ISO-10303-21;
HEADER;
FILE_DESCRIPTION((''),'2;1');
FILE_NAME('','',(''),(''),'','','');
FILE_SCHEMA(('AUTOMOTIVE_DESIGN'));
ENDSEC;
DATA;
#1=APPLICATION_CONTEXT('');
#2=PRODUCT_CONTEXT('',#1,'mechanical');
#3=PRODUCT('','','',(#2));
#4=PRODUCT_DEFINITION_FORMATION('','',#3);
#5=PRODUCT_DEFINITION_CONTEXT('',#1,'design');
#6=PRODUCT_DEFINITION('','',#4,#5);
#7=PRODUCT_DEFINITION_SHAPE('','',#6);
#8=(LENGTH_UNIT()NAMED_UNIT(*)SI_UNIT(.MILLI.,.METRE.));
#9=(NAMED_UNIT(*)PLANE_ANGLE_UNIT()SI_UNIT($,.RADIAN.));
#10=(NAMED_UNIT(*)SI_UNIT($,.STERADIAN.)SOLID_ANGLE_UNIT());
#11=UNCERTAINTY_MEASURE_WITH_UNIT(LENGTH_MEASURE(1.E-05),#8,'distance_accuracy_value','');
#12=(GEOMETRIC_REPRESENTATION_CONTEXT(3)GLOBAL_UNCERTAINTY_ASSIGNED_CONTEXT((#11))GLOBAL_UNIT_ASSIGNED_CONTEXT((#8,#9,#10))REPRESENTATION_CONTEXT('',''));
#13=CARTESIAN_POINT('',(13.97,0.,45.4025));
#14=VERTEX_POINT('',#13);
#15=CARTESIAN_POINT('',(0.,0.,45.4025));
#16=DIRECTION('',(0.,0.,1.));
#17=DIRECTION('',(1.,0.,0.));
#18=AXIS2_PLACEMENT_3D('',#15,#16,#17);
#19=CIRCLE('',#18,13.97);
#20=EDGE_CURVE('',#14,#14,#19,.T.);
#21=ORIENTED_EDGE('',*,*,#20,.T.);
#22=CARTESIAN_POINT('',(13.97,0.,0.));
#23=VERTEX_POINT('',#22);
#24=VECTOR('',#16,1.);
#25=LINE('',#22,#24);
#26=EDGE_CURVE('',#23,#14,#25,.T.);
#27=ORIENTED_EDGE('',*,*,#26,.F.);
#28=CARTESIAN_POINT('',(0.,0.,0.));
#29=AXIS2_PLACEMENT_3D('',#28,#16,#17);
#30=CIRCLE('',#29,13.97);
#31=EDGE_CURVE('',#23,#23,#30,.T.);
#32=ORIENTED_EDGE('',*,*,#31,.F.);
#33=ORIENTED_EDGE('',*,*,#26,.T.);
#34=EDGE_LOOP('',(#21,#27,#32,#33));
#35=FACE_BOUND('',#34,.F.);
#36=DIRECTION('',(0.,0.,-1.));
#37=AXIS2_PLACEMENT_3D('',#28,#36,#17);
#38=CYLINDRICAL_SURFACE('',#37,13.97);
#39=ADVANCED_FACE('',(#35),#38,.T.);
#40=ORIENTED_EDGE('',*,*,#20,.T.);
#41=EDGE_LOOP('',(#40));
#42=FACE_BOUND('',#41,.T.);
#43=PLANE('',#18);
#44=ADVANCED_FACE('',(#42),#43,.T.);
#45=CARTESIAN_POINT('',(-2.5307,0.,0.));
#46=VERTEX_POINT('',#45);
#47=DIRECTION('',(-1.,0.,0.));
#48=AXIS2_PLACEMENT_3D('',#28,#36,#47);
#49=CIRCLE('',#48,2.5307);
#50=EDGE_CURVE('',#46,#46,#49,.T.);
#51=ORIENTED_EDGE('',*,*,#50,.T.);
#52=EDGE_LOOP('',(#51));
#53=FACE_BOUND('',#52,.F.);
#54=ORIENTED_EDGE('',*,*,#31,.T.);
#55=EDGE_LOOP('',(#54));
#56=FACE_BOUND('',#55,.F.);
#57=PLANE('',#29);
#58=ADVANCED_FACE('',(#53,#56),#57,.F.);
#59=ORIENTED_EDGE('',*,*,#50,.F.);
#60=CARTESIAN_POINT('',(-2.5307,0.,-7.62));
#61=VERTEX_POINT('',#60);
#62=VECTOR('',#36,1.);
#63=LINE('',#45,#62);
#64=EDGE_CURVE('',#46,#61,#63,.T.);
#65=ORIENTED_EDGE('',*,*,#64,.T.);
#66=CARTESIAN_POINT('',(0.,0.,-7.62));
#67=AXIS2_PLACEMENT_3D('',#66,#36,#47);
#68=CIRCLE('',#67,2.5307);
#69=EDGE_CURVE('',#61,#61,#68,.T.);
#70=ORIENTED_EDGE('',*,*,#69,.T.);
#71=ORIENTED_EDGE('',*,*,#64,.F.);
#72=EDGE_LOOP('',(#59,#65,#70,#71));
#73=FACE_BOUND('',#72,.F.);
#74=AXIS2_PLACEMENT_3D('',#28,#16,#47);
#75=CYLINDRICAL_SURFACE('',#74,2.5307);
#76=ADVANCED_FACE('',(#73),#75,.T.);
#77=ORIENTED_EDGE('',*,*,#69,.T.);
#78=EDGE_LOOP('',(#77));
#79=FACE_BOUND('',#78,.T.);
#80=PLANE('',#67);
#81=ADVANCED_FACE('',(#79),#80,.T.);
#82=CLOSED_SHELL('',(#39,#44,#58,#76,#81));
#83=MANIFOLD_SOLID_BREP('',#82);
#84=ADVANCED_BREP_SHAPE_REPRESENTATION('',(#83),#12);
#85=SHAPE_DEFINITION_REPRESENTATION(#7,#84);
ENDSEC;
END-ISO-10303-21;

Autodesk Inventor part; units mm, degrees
ref_plane "YZ Plane" through (0, 0, 0) normal (1, 0, 0) x (0, 1, 0)
ref_plane "XZ Plane" through (0, 0, 0) normal (0, 1, 0) x (-1, 0, 0)
ref_plane "XY Plane" through (0, 0, 0) normal (0, 0, 1) x (1, 0, 0)
sketch "Sketch1" plane through (0, 0, 0) normal (0, 0, 1) x (1, 0, 0)
  circle A0 centre (0, 0) radius 13.97
  dimension "d0" = 27.94
extrude "Extrusion1" add sketch "Sketch1" along normal blind 45.4025
sketch "Sketch2" plane through (0, 0, 0) normal (0, 0, -1) x (-1, 0, 0)
  circle A0 centre (0, 0) radius 13.97 projected
  circle A1 centre (0, 0) radius 2.5307
  dimension "d3" = 5.0615
extrude "Extrusion2" add sketch "Sketch2" along normal blind 7.62 contours A1
properties part number "AtwoodsMass"
